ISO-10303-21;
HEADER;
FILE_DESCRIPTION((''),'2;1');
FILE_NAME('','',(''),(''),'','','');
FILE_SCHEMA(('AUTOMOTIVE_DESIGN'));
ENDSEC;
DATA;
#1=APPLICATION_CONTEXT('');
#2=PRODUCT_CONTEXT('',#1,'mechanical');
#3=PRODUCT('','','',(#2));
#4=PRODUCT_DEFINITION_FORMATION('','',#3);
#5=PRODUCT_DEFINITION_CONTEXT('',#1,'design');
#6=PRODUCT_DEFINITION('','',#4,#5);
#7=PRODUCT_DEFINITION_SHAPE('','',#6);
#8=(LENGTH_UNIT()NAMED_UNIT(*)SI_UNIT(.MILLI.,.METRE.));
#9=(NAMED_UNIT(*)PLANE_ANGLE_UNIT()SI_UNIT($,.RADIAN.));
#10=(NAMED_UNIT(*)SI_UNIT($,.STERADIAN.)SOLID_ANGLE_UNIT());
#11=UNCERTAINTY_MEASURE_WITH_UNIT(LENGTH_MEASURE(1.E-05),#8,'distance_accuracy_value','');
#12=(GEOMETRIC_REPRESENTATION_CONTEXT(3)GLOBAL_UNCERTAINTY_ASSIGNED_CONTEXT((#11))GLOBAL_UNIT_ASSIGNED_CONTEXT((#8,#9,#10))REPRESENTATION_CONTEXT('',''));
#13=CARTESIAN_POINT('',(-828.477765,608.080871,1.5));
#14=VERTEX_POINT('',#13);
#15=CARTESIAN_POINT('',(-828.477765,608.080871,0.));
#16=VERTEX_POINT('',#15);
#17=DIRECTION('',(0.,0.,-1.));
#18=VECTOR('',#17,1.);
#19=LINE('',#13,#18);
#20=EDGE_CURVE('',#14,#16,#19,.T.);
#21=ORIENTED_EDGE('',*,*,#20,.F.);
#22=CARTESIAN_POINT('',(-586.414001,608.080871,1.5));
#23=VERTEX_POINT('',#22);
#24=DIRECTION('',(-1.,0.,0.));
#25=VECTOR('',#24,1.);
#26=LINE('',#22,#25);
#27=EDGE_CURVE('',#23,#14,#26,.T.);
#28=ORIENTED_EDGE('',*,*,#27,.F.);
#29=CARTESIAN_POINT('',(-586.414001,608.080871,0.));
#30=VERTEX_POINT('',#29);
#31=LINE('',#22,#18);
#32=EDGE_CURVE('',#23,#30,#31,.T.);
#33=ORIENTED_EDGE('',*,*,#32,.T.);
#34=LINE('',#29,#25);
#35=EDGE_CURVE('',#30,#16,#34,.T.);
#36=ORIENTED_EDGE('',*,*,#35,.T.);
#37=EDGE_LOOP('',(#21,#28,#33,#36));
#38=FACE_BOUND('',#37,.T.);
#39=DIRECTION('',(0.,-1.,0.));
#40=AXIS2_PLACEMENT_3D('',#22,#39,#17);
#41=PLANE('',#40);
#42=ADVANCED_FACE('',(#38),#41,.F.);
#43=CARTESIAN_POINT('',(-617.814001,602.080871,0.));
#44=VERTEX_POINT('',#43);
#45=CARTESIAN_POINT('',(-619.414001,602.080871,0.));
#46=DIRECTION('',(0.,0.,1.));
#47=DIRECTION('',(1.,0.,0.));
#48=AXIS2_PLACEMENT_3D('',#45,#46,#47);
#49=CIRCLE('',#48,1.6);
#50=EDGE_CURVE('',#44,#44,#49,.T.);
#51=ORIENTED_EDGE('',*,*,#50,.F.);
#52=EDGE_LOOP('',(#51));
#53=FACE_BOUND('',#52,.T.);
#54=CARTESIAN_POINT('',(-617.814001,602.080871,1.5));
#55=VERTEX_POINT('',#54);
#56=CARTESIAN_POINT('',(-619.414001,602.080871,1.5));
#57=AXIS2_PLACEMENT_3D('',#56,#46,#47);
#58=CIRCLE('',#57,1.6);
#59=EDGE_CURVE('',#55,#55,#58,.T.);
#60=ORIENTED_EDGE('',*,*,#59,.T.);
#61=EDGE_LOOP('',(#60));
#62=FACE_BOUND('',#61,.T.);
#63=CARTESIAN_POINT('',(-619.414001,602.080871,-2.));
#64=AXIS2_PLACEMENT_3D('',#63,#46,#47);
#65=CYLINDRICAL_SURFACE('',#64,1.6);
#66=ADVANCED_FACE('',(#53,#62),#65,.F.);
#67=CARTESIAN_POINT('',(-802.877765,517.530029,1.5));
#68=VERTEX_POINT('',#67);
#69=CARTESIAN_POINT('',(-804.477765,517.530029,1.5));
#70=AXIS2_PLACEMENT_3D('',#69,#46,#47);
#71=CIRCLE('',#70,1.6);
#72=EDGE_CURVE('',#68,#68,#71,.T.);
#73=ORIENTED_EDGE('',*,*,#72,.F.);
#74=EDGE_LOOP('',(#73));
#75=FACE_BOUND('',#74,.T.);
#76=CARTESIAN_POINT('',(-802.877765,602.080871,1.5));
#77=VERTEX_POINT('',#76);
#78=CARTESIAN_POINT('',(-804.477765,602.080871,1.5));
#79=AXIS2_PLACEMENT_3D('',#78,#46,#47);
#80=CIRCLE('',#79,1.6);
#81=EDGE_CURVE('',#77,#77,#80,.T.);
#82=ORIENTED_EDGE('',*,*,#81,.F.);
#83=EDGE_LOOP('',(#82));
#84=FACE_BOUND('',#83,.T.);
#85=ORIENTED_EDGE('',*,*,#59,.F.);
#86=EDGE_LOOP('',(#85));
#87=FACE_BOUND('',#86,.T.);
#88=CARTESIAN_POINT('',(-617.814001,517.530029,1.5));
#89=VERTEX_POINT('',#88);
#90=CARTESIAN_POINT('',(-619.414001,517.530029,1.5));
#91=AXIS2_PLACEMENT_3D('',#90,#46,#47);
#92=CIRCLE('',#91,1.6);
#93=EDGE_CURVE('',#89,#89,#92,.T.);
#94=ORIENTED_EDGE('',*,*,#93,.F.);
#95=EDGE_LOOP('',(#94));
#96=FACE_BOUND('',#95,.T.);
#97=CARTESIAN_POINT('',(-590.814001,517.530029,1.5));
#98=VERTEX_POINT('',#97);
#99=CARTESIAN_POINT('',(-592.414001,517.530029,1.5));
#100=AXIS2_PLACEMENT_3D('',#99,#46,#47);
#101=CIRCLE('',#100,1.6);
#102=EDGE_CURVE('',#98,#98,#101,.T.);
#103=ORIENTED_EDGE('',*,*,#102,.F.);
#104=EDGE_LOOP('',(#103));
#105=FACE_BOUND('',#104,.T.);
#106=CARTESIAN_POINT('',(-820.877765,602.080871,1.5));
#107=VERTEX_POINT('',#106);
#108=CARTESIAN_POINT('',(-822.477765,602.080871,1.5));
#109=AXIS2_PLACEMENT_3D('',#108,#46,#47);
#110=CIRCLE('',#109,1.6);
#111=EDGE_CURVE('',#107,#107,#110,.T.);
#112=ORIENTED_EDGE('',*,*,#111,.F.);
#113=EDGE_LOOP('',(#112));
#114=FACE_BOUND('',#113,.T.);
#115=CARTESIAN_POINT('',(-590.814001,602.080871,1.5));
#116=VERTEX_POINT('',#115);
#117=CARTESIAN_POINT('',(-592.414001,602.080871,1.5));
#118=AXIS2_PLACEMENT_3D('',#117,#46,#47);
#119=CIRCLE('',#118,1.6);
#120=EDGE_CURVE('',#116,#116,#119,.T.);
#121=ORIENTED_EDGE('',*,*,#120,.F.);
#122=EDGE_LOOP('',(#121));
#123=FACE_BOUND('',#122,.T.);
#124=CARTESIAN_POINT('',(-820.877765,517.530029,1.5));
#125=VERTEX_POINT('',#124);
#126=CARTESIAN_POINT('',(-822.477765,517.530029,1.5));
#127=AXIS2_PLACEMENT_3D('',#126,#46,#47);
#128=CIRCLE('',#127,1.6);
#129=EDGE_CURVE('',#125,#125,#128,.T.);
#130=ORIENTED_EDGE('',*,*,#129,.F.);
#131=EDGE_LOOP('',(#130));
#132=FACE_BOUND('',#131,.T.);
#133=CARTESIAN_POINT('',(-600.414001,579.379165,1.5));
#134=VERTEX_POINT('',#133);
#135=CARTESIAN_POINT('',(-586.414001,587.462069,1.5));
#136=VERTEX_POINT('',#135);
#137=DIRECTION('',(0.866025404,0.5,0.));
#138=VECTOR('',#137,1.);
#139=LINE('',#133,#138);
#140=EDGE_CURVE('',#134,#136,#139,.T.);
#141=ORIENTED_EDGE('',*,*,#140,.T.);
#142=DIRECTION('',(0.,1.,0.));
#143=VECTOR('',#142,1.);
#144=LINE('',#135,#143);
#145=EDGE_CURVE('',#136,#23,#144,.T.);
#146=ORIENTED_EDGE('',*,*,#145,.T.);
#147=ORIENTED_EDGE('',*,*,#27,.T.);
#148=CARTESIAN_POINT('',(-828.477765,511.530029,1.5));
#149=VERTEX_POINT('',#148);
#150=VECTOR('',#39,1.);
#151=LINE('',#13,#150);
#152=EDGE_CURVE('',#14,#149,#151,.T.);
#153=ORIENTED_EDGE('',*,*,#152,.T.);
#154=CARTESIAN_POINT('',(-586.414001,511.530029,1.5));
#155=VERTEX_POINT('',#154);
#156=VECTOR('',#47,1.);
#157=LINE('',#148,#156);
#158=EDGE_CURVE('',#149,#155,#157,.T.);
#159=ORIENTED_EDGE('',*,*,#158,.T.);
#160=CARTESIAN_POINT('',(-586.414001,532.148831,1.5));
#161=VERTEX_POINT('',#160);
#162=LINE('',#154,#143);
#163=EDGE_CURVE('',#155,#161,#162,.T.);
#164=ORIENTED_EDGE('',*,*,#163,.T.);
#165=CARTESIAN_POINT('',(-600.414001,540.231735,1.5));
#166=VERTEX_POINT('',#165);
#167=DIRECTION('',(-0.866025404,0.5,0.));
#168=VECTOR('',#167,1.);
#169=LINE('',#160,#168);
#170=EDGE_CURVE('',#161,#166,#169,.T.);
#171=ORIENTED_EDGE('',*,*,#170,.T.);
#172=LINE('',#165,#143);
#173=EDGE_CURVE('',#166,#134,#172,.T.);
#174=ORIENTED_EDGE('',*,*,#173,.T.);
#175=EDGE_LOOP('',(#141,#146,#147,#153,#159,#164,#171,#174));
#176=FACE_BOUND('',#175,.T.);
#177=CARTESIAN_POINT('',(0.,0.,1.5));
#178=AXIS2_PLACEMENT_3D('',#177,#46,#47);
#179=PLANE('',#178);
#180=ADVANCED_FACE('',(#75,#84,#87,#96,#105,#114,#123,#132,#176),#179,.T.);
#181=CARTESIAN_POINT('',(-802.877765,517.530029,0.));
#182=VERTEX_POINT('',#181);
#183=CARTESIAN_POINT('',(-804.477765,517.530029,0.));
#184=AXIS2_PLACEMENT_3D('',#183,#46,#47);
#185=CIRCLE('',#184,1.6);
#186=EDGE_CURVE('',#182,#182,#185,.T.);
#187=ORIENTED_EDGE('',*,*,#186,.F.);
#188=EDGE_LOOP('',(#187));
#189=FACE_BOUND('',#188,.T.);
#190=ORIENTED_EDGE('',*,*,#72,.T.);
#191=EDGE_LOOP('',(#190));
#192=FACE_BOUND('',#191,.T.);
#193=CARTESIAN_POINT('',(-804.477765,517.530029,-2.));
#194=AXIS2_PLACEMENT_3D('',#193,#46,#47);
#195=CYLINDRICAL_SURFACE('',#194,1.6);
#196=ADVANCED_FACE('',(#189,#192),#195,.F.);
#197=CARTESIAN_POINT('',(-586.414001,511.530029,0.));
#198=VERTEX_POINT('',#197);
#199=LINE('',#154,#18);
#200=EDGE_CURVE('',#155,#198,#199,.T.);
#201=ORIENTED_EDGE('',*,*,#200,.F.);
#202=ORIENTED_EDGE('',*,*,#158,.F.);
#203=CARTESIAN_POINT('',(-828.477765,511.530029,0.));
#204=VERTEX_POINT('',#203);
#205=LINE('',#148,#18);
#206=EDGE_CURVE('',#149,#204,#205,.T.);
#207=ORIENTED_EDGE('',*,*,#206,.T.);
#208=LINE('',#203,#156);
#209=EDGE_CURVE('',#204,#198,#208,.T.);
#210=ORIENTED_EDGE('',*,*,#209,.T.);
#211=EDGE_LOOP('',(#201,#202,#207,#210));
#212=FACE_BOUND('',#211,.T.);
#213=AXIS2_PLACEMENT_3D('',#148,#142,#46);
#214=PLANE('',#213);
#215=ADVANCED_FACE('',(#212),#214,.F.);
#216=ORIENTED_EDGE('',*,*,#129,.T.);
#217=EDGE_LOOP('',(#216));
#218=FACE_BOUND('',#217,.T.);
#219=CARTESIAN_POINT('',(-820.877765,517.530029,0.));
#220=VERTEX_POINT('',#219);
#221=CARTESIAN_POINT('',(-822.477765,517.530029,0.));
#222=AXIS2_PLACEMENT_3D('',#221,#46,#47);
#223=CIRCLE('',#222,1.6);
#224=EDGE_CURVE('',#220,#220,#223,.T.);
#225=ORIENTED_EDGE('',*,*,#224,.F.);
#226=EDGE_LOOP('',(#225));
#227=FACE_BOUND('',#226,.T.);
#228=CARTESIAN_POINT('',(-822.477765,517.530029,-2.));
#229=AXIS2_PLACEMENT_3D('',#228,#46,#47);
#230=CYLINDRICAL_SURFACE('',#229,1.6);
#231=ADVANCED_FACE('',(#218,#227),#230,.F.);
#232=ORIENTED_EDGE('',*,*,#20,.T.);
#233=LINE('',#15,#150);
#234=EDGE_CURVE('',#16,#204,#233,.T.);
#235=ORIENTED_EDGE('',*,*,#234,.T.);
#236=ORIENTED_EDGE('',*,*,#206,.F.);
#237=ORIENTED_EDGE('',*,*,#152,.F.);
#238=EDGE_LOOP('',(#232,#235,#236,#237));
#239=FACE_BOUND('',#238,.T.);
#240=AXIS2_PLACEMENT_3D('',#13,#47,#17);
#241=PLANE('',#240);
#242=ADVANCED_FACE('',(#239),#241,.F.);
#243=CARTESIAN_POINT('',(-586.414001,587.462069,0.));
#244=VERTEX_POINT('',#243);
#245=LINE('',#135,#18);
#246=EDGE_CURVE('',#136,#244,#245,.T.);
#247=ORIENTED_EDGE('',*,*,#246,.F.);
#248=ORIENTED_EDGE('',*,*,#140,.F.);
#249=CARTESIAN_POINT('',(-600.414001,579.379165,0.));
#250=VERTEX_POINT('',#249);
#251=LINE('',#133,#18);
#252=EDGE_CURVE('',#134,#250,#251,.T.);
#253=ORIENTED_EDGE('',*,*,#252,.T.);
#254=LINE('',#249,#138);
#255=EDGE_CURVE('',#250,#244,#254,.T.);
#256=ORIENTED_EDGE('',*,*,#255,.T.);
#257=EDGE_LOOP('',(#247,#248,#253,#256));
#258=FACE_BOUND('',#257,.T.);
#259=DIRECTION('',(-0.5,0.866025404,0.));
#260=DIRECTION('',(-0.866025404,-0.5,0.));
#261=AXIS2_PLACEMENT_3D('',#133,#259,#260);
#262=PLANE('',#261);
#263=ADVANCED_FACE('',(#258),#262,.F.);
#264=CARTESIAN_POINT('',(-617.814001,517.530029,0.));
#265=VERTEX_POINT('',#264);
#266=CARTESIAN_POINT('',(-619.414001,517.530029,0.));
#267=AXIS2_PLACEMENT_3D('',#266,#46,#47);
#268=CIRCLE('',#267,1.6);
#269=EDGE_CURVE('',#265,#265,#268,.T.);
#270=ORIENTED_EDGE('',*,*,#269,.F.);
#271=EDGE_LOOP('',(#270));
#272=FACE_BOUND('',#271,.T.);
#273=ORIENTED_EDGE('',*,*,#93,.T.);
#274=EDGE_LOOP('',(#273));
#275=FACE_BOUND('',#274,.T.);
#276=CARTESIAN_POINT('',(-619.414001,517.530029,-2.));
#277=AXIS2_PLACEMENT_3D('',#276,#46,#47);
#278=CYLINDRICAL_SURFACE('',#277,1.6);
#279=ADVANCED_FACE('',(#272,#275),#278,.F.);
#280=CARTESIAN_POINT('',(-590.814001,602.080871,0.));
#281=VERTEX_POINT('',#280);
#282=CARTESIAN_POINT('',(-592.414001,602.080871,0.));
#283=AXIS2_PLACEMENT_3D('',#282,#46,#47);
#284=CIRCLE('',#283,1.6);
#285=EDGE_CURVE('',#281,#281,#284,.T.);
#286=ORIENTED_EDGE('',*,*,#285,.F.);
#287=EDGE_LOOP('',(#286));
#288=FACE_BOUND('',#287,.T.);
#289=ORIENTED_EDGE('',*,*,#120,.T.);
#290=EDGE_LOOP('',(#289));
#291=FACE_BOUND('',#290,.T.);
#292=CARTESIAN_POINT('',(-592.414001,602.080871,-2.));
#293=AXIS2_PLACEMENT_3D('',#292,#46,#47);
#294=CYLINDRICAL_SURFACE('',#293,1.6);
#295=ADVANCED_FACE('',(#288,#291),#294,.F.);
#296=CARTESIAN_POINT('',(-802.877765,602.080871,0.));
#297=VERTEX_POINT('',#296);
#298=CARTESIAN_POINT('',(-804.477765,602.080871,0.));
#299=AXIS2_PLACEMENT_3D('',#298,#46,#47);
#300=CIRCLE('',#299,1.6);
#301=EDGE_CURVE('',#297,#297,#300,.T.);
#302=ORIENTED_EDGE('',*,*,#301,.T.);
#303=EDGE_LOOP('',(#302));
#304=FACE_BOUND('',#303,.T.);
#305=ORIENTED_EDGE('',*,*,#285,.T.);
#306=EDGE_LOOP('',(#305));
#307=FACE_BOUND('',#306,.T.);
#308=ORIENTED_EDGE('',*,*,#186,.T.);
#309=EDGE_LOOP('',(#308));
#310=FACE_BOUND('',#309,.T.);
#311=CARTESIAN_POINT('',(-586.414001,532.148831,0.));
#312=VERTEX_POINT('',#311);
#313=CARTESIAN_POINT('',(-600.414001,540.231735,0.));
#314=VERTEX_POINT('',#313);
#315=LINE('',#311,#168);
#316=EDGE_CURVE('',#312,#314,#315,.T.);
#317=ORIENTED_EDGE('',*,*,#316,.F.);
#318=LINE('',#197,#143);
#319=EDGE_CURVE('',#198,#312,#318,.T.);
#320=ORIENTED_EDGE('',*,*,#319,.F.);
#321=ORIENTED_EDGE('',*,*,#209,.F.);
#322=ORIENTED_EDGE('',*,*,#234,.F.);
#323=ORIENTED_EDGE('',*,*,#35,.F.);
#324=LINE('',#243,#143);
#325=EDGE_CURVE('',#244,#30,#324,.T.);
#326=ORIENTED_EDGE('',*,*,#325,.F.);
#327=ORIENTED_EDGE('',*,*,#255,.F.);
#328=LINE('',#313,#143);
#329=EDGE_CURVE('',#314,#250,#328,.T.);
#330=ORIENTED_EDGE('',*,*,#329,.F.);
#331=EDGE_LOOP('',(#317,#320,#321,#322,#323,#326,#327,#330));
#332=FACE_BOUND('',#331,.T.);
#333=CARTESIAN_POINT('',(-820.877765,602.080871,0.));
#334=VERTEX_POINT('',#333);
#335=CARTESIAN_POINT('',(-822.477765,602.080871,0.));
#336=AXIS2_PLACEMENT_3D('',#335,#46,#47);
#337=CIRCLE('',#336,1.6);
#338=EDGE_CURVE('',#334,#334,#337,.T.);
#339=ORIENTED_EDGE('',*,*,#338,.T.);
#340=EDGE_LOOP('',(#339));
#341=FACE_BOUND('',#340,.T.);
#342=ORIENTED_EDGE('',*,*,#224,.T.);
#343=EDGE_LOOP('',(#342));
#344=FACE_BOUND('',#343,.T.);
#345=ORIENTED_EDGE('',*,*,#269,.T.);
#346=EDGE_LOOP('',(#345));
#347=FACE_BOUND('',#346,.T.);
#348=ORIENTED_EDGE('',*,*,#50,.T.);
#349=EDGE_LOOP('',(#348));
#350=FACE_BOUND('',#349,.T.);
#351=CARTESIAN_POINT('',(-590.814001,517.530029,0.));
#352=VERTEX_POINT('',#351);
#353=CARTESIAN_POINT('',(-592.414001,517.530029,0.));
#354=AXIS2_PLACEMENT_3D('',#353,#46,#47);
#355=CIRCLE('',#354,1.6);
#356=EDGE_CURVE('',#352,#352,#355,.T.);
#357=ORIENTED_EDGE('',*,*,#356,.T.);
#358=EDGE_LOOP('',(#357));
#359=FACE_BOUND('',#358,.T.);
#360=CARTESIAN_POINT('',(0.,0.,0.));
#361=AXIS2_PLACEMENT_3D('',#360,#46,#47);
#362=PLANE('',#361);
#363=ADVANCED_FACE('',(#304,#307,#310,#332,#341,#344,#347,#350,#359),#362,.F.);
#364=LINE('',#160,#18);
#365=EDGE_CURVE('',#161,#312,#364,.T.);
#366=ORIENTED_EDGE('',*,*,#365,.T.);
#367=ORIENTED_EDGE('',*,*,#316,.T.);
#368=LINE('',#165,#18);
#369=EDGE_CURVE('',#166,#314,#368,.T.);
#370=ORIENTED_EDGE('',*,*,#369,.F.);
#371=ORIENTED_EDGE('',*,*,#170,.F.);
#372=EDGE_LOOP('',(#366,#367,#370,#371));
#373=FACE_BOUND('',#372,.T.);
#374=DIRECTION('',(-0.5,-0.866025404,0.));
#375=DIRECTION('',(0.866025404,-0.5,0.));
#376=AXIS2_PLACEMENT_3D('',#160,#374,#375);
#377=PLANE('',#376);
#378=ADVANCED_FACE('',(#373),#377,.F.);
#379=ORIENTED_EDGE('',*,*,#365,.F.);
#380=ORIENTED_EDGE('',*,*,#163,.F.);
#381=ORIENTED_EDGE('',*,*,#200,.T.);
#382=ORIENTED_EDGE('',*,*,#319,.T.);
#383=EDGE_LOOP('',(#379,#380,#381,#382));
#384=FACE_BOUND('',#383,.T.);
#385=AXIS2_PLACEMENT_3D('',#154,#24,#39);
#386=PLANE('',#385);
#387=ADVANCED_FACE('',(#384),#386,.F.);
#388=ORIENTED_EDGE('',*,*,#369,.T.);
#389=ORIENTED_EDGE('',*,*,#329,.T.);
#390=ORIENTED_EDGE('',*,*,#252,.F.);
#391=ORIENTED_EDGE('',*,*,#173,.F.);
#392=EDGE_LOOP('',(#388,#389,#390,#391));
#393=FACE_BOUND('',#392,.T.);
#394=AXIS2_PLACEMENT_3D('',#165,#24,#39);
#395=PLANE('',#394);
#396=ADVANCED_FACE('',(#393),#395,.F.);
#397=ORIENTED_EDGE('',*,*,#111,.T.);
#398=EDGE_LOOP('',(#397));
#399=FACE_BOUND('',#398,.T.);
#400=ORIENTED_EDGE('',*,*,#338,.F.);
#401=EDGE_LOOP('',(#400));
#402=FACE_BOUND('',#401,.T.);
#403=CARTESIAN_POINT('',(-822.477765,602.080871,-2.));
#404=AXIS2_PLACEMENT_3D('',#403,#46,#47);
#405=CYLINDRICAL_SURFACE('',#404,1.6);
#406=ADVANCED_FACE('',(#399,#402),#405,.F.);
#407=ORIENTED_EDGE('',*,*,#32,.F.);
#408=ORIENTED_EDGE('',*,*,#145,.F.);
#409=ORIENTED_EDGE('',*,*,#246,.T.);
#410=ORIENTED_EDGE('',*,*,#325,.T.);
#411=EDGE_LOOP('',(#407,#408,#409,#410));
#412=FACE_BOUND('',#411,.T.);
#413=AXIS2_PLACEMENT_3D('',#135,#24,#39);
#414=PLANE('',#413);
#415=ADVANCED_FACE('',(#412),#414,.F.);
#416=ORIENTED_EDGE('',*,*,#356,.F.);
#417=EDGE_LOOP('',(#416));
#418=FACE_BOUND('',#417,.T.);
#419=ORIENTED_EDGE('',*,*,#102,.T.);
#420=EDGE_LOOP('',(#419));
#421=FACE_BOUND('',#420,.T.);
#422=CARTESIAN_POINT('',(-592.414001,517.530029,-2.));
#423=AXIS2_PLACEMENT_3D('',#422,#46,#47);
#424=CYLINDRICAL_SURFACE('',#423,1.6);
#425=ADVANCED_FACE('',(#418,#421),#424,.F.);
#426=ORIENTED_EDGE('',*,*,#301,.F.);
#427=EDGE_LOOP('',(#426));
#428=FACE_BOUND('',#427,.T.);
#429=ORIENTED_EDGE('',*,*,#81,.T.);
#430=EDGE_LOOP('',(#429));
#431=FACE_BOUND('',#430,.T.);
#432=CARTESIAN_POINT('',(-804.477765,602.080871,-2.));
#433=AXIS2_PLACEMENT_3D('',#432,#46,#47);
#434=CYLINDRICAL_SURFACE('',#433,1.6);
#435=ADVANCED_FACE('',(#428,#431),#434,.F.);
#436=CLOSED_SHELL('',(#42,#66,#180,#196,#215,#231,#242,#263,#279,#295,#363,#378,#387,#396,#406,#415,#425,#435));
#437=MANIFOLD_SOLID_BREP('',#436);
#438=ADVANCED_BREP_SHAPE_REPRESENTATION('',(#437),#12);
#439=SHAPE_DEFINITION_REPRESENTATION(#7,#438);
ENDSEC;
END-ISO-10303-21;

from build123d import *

# Parameters (mm, degrees)
BOSS_EXTRUDE1_DEPTH = 1.5
SKETCH2_R           = 1.6
CUT_EXTRUDE1_DEPTH  = 3.5


with BuildPart() as part:
    # Sketch1 → Boss-Extrude1 (new body)
    with BuildSketch(Plane.XY):
        Polygon((-586.414001465, 608.080871166), (-828.47776474, 608.080871166), (-828.47776474, 511.530029297), (-586.414001465, 511.530029297), (-586.414001465, 532.14883145), (-600.414001465, 540.231735219), (-600.414001465, 579.379165244), (-586.414001465, 587.462069012), align=None)
    extrude(amount=BOSS_EXTRUDE1_DEPTH)

    # Sketch2 → Cut-Extrude1 (cut)
    with BuildSketch(Plane.XY.offset(1.5)):
        with Locations((-822.47776474, 602.080871166)):
            Circle(SKETCH2_R)
        with Locations((-804.47776474, 602.080871166)):
            Circle(SKETCH2_R)
        with Locations((-822.47776474, 517.530029297)):
            Circle(SKETCH2_R)
        with Locations((-804.47776474, 517.530029297)):
            Circle(SKETCH2_R)
        with Locations((-619.414001465, 602.080871166)):
            Circle(SKETCH2_R)
        with Locations((-592.414001465, 602.080871166)):
            Circle(SKETCH2_R)
        with Locations((-619.414001465, 517.530029297)):
            Circle(SKETCH2_R)
        with Locations((-592.414001465, 517.530029297)):
            Circle(SKETCH2_R)
    extrude(amount=-CUT_EXTRUDE1_DEPTH, mode=Mode.SUBTRACT)


solid = part.part
